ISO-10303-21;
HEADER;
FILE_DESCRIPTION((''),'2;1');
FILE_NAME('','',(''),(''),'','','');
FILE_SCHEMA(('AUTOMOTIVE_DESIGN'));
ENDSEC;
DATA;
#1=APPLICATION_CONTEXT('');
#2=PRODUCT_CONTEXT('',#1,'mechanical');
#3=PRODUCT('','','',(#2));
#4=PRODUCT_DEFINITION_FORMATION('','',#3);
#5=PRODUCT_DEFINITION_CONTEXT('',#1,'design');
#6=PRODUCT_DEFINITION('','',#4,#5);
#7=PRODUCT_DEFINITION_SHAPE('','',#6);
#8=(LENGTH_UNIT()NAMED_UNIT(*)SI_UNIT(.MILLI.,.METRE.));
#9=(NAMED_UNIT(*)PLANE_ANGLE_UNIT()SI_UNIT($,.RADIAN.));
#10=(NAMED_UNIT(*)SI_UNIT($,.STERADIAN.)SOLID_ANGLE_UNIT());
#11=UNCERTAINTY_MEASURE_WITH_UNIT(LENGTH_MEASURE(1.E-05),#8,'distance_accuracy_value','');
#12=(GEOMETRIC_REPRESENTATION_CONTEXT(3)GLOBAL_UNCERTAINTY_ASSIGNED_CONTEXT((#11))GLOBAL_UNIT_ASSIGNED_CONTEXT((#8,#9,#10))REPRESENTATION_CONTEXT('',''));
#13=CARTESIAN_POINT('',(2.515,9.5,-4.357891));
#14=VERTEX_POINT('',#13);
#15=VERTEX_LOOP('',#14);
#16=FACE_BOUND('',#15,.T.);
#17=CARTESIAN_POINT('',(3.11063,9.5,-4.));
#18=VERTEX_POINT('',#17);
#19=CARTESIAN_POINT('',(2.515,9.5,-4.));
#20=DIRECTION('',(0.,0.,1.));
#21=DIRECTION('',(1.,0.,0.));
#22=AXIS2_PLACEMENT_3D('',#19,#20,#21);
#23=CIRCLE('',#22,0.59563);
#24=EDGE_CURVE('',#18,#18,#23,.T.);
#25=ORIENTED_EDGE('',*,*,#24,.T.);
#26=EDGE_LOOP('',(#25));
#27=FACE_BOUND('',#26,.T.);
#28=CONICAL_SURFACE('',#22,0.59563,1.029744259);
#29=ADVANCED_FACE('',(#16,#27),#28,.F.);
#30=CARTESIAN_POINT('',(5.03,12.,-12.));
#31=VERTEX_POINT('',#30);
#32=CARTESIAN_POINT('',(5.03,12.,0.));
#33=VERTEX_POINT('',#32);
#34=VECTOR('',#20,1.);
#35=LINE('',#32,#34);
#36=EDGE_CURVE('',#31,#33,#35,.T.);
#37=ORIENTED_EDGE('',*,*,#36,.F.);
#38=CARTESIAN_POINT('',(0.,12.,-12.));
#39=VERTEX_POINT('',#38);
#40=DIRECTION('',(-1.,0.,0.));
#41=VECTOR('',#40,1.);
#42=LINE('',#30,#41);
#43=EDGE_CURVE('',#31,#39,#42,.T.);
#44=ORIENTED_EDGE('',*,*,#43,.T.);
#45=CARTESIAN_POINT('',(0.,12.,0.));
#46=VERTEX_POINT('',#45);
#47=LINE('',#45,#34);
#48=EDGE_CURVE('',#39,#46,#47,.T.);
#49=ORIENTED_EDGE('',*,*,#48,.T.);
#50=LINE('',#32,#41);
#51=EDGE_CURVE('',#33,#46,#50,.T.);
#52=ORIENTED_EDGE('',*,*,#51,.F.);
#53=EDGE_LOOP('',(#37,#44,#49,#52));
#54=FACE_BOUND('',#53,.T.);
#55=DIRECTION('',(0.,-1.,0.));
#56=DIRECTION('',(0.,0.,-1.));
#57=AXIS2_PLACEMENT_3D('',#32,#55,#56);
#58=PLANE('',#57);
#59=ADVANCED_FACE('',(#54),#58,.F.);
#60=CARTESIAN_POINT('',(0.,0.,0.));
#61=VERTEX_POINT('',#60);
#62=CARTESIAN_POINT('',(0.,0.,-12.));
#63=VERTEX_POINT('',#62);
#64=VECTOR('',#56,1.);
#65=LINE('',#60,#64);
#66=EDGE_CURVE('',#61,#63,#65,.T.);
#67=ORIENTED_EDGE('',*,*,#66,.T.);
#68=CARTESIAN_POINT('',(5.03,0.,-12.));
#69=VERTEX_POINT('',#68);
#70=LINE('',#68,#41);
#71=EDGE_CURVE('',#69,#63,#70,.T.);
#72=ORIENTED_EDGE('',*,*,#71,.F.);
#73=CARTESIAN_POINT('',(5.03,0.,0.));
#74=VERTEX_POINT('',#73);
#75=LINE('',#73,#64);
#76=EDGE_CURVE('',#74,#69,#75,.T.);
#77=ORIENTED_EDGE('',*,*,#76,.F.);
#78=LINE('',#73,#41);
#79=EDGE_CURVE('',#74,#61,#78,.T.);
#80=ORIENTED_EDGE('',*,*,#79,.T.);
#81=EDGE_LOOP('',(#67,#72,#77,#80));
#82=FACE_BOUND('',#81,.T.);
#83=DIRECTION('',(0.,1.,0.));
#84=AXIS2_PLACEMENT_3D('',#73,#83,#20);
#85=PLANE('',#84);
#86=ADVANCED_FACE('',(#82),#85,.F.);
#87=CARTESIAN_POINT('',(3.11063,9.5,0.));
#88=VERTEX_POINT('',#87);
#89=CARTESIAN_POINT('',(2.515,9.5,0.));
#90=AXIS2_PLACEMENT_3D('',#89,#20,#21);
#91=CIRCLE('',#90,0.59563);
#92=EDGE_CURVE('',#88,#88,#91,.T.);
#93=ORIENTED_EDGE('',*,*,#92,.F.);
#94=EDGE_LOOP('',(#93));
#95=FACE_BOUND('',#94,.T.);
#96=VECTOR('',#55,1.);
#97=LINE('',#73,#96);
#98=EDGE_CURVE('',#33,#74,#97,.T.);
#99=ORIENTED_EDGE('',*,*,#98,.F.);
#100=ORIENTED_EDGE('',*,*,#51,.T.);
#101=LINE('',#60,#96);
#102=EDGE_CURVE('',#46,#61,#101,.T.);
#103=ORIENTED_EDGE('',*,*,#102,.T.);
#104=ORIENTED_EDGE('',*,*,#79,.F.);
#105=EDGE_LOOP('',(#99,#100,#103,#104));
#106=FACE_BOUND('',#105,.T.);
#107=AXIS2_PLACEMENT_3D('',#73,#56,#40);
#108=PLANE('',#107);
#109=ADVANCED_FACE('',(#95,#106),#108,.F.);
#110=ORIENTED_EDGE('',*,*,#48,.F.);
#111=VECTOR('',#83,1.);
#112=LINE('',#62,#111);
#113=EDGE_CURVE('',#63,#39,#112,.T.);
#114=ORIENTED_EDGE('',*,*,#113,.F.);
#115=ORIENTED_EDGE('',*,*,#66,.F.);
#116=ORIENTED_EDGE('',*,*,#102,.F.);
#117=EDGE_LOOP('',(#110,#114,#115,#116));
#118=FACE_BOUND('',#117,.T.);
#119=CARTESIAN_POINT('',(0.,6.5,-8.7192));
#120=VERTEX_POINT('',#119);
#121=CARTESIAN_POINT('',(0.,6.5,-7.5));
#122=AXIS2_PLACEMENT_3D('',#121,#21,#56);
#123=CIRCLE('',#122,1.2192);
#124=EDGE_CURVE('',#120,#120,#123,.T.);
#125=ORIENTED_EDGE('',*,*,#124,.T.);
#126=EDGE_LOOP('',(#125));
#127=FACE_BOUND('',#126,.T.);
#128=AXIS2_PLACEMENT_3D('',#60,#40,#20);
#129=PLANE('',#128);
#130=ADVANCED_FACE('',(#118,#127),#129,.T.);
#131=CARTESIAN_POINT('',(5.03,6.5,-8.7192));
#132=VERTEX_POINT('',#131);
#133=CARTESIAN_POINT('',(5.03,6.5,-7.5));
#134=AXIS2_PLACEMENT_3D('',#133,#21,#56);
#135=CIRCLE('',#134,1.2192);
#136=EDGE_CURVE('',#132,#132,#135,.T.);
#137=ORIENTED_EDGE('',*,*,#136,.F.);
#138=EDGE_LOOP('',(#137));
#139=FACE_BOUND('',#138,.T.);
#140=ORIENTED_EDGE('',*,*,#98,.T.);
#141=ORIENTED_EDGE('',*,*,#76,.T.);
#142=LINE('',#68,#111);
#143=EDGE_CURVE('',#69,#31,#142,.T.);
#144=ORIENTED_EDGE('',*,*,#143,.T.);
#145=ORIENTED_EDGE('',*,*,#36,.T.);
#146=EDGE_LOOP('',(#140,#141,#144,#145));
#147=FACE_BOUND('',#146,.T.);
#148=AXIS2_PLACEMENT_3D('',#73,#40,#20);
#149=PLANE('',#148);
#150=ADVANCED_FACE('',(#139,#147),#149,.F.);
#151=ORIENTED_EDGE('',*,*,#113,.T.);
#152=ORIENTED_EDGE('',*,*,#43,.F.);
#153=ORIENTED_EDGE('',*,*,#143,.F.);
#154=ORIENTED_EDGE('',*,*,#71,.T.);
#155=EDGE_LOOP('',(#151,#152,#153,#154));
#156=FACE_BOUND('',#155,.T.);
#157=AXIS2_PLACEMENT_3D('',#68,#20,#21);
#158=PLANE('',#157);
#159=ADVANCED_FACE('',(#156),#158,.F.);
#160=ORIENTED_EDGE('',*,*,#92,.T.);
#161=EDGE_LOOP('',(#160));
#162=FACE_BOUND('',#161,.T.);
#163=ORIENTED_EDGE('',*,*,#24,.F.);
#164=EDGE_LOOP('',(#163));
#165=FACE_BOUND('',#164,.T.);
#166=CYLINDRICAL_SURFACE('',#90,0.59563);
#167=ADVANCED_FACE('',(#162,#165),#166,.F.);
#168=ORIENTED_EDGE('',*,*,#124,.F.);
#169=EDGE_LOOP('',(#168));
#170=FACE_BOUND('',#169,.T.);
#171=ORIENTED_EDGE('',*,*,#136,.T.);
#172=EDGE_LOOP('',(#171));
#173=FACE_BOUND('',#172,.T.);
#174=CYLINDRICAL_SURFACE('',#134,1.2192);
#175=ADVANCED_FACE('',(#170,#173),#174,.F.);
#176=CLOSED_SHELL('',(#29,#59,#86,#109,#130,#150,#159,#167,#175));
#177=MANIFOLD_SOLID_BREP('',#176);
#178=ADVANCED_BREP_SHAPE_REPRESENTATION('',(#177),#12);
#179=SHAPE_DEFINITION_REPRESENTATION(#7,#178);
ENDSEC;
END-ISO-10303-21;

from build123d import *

# Parameters (mm, degrees)
SKETCH1_W                     = 12
SKETCH1_H                     = 12
BOSS_EXTRUDE1_DEPTH           = 5.03
TAP_DRILL_FOR_0_80_TAP1_D     = 1.19126
TAP_DRILL_FOR_0_80_TAP1_DEPTH = 4
TAP_DRILL_FOR_0_80_TAP1_TIP   = 0.357890611
F_2_CLEARANCE_HOLE1_D         = 2.4384


with BuildPart() as part:
    # Sketch1 → Boss-Extrude1 (new body)
    with BuildSketch(Plane(origin=(0, 0, 0), x_dir=(0, 0, -1), z_dir=(1, 0, 0))):
        with Locations((6, 6)):
            Rectangle(SKETCH1_W, SKETCH1_H)
    extrude(amount=BOSS_EXTRUDE1_DEPTH)

    # Tap Drill for #0-80 Tap1
    with Locations(Plane.XY):
        with Locations((2.515, 9.5)):
            Hole(TAP_DRILL_FOR_0_80_TAP1_D / 2, depth=TAP_DRILL_FOR_0_80_TAP1_DEPTH)
            with Locations((0, 0, -(TAP_DRILL_FOR_0_80_TAP1_DEPTH + TAP_DRILL_FOR_0_80_TAP1_TIP / 2))):  # 118° drill point
                Cone(0, TAP_DRILL_FOR_0_80_TAP1_D / 2, TAP_DRILL_FOR_0_80_TAP1_TIP, mode=Mode.SUBTRACT)

    # #2 Clearance Hole1 (through all)
    with Locations(Plane(origin=(5.03, 0, 0), x_dir=(0, 0, -1), z_dir=(1, 0, 0))):
        with Locations((7.5, 6.5)):
            Hole(F_2_CLEARANCE_HOLE1_D / 2)


solid = part.part
